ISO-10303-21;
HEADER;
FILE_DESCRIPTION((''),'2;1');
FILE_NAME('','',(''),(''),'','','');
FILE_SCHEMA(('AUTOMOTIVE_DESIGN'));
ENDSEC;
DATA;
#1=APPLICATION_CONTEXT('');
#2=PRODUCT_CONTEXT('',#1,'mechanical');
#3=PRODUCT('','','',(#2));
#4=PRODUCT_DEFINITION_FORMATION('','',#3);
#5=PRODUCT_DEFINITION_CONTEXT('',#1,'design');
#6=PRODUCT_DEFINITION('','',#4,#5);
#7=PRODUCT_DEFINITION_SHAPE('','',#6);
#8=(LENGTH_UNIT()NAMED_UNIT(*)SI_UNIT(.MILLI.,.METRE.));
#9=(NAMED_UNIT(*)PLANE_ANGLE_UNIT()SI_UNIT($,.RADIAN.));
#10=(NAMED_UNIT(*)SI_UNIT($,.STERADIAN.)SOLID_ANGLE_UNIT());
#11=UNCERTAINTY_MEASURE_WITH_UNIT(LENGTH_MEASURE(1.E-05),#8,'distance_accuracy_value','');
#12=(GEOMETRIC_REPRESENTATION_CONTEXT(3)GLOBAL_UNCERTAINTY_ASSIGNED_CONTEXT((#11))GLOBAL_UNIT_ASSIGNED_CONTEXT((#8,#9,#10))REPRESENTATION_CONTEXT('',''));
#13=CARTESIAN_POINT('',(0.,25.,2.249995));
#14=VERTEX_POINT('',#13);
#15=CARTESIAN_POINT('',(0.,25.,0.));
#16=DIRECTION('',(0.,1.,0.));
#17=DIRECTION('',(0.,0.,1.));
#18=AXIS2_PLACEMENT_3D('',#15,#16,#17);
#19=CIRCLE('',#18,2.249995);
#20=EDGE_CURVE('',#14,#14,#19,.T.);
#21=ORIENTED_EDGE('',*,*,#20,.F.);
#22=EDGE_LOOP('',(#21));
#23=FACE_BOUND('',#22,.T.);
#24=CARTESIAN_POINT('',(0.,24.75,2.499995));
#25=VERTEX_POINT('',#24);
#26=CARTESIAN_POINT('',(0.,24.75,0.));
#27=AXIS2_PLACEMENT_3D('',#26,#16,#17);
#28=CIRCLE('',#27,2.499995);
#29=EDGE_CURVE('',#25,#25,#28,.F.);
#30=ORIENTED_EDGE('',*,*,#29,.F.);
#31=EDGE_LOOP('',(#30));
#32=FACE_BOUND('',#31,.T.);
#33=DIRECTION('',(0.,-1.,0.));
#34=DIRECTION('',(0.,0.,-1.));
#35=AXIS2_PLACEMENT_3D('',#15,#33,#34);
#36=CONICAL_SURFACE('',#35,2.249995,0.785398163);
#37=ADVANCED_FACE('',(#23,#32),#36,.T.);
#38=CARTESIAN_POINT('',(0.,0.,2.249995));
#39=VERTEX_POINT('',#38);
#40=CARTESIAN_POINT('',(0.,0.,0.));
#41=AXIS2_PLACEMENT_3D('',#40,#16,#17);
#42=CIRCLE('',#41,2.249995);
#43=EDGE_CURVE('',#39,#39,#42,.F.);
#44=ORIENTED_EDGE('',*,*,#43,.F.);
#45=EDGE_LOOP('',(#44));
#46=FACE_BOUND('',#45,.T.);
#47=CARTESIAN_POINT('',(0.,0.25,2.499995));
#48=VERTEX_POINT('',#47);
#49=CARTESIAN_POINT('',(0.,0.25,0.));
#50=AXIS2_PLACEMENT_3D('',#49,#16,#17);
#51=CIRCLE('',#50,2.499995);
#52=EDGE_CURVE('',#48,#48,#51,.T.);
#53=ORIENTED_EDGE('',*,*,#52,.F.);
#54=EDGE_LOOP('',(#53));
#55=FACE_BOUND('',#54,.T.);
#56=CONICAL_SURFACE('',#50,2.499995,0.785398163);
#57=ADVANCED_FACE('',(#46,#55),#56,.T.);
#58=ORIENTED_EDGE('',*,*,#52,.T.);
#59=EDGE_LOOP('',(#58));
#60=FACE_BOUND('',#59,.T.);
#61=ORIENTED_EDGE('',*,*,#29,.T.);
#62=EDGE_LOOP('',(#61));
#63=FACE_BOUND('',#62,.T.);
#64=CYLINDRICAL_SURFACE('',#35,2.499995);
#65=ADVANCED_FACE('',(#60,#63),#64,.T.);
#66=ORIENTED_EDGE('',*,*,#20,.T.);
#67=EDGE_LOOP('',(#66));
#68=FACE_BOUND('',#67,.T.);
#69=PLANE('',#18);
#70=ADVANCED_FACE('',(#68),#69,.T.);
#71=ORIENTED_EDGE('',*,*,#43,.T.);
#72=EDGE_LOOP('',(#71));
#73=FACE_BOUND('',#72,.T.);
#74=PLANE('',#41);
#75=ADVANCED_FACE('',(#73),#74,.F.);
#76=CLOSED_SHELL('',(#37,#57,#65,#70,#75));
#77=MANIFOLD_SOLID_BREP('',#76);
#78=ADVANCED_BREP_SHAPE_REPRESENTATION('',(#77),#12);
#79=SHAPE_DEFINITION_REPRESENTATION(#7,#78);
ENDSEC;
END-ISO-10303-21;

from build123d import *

# Parameters (mm, degrees)
SKETCH1_R           = 2.499995
BOSS_EXTRUDE1_DEPTH = 25
CHAMFER1_SIZE       = 0.25


with BuildPart() as part:
    # Sketch1 → Boss-Extrude1 (new body)
    with BuildSketch(Plane(origin=(0, 0, 0), x_dir=(1, 0, 0), z_dir=(0, 1, 0))):
        with Locations(Location((0, 0, 0), (0, 0, 270))):
            Circle(SKETCH1_R)
    extrude(amount=BOSS_EXTRUDE1_DEPTH)

    # Chamfer1
    chamfer1_edges = [part.edges().sort_by_distance(p)[0] for p in [
        (0, 0, -2.499995),
        (0, 25, -2.499995),
    ]]
    chamfer(chamfer1_edges, length=CHAMFER1_SIZE)


solid = part.part
